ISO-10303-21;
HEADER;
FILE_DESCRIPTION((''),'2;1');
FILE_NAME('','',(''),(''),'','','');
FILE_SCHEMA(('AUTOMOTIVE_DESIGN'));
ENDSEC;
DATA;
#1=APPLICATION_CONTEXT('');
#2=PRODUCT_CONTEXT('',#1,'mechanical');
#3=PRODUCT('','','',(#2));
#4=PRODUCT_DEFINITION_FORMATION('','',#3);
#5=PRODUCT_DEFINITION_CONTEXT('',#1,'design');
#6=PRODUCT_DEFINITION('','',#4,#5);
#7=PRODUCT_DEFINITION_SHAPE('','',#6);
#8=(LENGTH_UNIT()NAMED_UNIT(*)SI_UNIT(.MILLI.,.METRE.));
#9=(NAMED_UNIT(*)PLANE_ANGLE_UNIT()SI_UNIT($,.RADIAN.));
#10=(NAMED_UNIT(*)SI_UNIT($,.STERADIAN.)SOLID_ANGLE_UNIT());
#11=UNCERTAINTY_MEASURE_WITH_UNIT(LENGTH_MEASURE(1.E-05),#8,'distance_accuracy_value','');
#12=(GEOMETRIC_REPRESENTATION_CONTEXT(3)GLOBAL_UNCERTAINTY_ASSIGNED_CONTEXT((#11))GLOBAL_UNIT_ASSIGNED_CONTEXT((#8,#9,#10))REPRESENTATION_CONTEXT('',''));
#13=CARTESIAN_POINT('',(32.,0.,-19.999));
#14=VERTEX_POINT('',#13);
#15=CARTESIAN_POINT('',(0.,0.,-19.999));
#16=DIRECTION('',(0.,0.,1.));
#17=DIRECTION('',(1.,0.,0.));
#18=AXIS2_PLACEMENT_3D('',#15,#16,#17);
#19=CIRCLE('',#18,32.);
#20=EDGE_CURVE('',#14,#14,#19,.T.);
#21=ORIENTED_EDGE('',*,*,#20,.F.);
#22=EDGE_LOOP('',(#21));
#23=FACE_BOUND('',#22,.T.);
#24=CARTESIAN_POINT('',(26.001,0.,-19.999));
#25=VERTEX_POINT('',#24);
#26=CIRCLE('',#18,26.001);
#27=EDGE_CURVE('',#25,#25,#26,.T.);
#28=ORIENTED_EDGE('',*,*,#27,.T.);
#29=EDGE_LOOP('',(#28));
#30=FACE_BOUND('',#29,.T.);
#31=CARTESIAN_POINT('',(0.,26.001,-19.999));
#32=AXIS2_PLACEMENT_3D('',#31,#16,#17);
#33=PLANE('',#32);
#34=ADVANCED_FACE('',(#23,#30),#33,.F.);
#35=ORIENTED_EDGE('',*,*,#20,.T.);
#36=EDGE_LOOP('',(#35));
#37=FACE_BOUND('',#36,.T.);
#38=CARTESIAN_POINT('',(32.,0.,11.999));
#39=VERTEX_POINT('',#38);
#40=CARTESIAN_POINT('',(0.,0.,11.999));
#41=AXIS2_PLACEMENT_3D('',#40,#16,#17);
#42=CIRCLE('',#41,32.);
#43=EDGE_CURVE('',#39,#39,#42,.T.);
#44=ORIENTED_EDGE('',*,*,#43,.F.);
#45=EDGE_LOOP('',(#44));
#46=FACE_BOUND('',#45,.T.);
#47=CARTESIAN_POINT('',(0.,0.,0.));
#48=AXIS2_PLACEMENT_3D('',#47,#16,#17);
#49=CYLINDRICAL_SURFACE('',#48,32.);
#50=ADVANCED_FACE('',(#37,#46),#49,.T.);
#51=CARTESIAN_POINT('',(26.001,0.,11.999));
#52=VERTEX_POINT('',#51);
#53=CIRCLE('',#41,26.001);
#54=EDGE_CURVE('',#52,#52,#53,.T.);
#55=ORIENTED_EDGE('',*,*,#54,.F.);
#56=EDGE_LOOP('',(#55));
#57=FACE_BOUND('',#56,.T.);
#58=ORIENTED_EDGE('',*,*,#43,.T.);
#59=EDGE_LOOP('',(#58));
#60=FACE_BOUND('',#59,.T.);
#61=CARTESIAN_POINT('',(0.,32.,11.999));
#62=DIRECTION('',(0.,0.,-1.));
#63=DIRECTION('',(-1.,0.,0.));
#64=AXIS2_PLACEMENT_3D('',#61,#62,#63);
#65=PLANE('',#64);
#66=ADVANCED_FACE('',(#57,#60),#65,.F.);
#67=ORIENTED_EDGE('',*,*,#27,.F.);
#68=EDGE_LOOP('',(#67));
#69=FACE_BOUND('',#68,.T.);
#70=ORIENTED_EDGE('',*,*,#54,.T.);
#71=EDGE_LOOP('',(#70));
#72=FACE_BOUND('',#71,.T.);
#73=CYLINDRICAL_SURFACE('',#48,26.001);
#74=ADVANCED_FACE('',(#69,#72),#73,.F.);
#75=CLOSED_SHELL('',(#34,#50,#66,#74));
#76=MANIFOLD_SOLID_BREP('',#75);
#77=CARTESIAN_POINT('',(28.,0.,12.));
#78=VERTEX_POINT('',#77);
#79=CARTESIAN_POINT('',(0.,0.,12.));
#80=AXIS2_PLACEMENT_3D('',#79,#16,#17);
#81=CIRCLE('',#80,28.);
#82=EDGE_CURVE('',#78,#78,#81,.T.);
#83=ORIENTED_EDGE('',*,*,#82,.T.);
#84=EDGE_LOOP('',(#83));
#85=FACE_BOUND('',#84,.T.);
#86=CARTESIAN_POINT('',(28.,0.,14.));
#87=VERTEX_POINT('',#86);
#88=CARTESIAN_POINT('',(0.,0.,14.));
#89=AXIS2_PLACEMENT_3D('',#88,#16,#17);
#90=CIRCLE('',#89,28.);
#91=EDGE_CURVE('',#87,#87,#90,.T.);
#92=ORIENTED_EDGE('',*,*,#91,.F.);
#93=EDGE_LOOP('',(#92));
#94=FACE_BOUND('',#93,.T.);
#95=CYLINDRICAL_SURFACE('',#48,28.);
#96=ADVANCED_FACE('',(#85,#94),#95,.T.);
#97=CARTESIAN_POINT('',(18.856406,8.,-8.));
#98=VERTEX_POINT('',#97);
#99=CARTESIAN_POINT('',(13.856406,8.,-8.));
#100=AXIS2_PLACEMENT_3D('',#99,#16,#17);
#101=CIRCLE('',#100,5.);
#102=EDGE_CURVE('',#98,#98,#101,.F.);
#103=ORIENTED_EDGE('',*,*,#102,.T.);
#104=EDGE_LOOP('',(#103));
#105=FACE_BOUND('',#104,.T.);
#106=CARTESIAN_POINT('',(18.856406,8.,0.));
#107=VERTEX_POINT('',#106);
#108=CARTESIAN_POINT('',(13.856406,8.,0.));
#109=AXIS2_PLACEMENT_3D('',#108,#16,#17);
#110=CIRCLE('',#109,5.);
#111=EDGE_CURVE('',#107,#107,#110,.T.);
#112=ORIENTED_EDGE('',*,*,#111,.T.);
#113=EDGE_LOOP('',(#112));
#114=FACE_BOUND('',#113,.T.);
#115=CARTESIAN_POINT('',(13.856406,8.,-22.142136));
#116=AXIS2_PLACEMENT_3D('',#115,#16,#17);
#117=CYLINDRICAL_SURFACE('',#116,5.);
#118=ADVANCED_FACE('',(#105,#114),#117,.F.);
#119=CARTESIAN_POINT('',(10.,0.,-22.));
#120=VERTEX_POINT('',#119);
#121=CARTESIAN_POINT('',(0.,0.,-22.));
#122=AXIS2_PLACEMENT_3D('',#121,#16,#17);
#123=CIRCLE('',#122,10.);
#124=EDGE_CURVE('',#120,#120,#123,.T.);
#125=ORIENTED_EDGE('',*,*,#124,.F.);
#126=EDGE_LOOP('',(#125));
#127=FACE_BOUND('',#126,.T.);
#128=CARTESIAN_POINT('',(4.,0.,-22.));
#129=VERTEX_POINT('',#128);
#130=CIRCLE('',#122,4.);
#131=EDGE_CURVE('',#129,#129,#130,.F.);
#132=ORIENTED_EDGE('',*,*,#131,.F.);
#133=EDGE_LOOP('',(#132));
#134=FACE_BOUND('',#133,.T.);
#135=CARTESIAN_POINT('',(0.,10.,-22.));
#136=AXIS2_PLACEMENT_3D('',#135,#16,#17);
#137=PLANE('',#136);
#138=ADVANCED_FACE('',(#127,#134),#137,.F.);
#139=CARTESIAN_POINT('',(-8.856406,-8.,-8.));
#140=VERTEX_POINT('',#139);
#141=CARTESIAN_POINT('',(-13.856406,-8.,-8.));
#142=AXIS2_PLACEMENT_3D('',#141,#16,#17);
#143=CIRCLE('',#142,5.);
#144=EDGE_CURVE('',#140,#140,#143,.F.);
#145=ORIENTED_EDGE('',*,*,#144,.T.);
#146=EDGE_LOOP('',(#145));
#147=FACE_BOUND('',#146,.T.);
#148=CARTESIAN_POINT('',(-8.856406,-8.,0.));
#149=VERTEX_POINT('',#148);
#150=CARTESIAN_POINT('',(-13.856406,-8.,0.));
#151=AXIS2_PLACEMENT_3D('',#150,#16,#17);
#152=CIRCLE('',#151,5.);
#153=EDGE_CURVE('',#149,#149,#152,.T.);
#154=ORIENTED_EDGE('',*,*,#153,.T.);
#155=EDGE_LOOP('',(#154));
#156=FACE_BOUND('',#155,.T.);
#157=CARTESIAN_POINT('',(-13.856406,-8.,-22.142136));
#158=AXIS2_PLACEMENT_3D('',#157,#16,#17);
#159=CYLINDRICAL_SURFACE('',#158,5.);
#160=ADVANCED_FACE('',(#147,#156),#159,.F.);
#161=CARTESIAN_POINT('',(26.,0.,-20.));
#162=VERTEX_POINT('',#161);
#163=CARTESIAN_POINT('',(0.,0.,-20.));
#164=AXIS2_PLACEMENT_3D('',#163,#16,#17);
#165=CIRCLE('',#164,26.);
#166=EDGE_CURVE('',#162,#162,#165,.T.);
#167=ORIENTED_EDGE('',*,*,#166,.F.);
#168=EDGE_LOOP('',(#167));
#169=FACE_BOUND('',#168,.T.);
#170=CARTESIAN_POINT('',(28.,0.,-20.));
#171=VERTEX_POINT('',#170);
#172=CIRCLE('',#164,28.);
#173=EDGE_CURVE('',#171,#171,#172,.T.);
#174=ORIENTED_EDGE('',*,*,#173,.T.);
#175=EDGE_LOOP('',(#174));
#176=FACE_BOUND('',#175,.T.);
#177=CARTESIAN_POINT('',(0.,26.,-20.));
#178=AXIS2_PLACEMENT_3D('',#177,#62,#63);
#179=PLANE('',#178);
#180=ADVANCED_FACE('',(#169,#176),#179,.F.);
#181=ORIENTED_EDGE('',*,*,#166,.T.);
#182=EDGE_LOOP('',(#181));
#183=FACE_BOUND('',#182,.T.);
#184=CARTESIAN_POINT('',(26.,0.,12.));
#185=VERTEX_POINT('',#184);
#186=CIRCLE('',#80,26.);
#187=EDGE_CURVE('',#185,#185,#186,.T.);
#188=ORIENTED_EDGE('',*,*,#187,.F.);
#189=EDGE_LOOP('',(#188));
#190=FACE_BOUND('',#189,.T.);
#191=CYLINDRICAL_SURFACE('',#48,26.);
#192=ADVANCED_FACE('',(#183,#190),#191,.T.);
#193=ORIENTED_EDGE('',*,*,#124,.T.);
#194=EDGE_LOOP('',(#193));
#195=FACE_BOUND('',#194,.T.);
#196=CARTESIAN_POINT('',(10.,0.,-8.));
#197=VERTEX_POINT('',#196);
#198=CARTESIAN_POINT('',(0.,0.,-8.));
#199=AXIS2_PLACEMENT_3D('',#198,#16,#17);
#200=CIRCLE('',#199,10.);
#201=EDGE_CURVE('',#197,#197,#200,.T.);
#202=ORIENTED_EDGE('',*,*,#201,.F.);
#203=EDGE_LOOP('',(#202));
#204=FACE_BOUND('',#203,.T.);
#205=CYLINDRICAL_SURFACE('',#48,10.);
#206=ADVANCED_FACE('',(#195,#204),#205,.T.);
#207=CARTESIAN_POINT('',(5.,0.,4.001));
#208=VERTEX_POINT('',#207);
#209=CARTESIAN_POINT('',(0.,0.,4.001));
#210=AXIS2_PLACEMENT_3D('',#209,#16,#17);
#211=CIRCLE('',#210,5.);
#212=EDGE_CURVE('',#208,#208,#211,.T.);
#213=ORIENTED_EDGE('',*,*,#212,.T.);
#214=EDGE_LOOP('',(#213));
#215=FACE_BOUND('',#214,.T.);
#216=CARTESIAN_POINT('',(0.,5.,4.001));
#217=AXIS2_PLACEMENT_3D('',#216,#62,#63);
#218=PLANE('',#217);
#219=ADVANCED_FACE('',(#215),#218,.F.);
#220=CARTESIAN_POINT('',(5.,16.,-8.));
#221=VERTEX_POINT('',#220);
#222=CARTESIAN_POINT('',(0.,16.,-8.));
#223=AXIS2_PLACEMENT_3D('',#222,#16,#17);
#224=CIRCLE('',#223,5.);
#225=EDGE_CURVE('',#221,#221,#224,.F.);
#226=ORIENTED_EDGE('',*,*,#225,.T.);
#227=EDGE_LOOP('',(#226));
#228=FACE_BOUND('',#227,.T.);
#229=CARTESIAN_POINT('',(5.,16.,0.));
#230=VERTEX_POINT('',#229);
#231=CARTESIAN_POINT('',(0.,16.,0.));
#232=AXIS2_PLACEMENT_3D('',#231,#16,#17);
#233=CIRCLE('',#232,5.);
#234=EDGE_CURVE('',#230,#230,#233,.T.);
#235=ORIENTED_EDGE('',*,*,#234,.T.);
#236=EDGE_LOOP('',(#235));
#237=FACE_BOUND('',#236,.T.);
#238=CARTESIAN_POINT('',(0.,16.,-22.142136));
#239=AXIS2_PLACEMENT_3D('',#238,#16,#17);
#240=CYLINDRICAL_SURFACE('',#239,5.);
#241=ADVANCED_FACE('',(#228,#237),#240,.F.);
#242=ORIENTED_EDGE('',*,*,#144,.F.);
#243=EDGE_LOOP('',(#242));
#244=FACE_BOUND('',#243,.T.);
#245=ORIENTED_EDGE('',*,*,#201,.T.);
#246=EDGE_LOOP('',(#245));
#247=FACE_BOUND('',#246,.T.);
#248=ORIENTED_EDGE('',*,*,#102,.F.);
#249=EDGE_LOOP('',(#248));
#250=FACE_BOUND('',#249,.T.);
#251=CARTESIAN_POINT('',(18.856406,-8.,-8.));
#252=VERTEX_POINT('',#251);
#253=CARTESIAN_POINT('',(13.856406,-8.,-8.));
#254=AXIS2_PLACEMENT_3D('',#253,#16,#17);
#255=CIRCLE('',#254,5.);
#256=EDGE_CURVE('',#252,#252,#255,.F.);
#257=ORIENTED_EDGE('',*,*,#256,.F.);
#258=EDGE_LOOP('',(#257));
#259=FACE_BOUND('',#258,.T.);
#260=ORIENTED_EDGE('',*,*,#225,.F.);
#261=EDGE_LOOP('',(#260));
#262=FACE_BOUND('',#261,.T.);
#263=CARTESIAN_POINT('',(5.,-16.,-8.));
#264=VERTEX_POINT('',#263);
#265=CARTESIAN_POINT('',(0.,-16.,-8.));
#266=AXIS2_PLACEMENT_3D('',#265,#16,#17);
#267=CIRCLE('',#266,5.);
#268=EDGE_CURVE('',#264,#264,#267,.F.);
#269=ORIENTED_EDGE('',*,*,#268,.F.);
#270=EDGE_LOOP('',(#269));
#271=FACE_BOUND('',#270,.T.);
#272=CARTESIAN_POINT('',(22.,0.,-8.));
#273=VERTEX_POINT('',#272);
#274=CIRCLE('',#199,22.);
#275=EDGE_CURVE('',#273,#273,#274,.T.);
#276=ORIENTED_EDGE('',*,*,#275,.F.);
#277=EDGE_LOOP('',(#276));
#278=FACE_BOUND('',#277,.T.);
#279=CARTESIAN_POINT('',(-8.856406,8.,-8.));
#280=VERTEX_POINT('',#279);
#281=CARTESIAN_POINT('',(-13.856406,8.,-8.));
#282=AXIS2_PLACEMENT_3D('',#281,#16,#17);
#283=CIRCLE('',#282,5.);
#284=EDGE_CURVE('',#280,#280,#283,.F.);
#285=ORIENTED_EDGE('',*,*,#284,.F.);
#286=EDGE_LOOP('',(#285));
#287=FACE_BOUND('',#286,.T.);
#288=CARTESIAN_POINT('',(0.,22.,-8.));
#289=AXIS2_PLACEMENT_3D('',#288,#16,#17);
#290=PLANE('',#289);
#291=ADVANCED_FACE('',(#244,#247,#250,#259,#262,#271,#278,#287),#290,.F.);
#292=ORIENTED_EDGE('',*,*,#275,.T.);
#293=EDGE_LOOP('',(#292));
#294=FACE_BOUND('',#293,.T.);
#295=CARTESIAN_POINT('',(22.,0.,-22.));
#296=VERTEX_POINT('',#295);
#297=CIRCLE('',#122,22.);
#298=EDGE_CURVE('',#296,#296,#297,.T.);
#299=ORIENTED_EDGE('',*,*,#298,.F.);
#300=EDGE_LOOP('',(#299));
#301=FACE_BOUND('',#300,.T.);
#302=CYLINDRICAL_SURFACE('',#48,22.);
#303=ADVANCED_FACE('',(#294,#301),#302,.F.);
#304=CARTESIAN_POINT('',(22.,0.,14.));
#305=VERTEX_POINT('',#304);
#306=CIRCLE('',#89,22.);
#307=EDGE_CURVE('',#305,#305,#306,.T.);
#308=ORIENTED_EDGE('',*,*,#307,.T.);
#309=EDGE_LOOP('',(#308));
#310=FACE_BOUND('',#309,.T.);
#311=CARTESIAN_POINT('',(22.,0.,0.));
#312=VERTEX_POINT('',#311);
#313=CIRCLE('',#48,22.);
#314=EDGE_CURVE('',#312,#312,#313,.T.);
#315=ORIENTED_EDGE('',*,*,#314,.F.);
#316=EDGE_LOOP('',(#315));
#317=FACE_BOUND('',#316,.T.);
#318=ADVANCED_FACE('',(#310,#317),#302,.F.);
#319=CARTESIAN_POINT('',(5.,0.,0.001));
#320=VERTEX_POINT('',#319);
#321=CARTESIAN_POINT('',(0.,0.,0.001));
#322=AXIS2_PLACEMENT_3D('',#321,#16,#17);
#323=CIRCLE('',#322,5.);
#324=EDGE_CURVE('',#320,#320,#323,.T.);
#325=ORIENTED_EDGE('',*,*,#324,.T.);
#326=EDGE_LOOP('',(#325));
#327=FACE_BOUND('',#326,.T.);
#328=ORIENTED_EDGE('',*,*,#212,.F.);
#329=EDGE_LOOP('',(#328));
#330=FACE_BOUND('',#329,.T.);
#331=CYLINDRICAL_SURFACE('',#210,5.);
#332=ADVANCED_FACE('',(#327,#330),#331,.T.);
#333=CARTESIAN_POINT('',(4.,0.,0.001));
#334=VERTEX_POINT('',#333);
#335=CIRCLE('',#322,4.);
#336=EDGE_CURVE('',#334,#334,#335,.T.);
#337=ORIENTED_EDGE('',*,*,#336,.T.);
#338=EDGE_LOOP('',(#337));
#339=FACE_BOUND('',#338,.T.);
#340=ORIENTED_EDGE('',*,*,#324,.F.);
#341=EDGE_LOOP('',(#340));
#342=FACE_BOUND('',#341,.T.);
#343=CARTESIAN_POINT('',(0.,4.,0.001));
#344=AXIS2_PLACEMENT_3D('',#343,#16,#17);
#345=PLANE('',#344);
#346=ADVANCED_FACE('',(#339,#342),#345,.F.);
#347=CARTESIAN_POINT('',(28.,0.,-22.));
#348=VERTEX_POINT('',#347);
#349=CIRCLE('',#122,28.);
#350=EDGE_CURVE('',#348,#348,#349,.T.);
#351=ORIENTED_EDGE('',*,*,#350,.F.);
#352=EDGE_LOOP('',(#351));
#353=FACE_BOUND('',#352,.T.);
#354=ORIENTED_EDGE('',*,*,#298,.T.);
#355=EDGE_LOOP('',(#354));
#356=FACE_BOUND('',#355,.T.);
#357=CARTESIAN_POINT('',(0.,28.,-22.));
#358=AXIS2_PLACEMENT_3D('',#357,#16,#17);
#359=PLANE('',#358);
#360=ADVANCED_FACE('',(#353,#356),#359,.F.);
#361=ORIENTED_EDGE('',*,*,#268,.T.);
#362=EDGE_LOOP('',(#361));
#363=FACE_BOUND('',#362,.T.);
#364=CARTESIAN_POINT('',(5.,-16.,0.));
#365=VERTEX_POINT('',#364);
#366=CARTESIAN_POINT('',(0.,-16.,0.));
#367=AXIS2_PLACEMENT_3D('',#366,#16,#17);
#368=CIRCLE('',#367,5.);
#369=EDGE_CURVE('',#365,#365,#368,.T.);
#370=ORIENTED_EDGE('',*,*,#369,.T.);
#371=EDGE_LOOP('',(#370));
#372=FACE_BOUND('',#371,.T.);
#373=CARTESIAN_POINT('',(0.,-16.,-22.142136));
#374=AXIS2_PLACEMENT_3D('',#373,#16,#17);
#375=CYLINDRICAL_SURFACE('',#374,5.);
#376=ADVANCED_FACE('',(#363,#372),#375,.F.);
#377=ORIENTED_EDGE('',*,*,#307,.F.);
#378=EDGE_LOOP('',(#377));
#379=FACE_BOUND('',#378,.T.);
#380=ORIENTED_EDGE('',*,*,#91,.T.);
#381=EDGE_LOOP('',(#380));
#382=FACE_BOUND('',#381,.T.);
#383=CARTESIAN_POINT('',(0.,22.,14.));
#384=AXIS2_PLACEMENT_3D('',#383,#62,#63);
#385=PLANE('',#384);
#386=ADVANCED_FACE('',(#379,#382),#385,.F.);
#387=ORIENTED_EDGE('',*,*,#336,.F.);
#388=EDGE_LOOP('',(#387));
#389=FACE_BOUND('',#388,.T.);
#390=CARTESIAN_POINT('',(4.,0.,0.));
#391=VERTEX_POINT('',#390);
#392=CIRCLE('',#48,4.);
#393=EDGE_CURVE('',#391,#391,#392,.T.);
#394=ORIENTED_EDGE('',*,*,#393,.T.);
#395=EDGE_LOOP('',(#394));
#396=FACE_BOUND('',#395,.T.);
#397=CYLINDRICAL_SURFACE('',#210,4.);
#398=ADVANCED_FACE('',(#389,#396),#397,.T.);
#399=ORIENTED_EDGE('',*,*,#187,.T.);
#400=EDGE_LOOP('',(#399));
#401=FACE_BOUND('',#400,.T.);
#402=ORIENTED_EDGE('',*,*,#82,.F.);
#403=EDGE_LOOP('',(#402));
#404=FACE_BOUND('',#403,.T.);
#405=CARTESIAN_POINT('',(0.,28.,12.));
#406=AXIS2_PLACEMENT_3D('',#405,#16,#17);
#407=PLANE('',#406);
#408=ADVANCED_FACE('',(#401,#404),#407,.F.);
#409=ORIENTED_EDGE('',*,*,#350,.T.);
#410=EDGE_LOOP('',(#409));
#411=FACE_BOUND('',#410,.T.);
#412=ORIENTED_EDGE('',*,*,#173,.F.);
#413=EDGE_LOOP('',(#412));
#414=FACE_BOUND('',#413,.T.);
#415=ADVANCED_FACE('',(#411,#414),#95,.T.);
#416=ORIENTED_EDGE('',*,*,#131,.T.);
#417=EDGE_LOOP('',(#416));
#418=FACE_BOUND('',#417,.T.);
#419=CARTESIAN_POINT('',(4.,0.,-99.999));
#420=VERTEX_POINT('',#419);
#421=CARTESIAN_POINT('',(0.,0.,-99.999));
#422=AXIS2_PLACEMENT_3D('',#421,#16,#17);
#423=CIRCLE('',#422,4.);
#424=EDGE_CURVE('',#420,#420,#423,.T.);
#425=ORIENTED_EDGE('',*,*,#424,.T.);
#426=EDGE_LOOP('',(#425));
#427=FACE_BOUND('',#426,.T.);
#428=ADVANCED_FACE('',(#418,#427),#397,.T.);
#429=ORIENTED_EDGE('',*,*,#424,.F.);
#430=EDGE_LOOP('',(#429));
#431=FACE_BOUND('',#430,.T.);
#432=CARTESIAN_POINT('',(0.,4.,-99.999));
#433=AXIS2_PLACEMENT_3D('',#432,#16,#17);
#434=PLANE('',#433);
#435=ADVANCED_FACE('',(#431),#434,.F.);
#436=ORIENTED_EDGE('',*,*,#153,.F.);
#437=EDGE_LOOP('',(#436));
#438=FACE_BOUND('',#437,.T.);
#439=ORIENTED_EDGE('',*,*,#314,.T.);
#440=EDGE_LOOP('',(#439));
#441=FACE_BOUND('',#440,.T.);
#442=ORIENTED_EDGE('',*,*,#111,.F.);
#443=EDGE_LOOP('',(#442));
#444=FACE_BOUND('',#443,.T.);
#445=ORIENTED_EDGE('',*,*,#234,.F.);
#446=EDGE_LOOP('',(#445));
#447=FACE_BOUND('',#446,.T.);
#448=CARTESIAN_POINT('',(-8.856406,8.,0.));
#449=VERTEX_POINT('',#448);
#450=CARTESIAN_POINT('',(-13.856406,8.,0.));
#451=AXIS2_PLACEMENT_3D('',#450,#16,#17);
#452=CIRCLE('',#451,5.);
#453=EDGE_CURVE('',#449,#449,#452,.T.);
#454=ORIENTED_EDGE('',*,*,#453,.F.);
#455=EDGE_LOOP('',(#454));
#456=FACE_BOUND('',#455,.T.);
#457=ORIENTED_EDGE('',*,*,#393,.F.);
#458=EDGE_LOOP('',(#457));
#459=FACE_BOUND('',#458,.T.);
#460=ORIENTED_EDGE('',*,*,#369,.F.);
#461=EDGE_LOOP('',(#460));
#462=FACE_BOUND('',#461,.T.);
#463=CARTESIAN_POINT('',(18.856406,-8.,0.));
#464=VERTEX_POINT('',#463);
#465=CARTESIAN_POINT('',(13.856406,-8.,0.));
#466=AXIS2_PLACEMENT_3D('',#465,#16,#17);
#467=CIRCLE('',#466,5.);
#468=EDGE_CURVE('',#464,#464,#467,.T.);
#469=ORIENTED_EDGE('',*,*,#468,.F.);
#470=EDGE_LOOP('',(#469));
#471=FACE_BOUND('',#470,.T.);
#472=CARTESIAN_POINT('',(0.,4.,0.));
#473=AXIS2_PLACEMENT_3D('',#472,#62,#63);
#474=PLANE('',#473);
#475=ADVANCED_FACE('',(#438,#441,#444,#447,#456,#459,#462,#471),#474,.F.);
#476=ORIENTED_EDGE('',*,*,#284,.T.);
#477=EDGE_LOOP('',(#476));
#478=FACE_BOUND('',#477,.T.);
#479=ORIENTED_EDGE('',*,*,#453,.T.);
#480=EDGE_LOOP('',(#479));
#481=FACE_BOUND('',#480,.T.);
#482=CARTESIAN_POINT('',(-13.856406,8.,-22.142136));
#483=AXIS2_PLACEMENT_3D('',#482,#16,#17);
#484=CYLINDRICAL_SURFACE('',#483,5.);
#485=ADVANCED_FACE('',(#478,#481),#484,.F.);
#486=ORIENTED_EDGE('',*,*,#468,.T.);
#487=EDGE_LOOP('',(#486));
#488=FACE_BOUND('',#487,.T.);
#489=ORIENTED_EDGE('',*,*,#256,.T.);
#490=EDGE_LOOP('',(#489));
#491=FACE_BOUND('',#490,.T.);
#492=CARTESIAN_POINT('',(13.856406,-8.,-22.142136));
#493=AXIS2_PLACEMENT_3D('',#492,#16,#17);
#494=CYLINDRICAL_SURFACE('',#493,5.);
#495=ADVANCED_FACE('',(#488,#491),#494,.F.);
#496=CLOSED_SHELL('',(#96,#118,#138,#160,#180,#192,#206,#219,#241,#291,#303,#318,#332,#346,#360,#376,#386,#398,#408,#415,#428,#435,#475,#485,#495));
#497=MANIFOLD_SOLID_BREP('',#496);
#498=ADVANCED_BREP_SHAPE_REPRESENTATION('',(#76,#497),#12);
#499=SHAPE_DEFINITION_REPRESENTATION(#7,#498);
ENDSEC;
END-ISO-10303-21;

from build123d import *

# Parameters (mm, degrees)
SKETCH3_W          = 31.998
SKETCH3_H          = 5.999
SKETCH2_R          = 5
CUT_EXTRUDE1_DEPTH = 8


with BuildPart() as part:
    # Sketch1 → Revolve1 (revolve)
    with BuildSketch(Plane(origin=(0, 0, 0), x_dir=(0, 0, -1), z_dir=(1, 0, 0)), mode=Mode.PRIVATE) as revolve1_sk:
        Polygon((0, 4), (0, 22), (-14, 22), (-14, 28), (-12, 28), (-12, 26), (20, 26), (20, 28), (22, 28), (22, 22), (20, 22), (8, 22), (8, 10), (20, 10), (22, 10), (22, 4), (20, 4), align=None)
    revolve(revolve1_sk.sketch.rotate(Axis((0, 0, 0), (0, 0, -1)), 90), axis=Axis((0, 0, 0), (0, 0, -1)))

    # Sketch2 → Cut-Extrude1 (cut)
    with BuildSketch(Plane.XY):
        with Locations((0, 16)):
            Circle(SKETCH2_R)
        with Locations((13.856406461, 8)):
            Circle(SKETCH2_R)
        with Locations((13.856406461, -8)):
            Circle(SKETCH2_R)
        with Locations((0, -16)):
            Circle(SKETCH2_R)
        with Locations((-13.856406461, -8)):
            Circle(SKETCH2_R)
        with Locations((-13.856406461, 8)):
            Circle(SKETCH2_R)
    extrude(amount=-CUT_EXTRUDE1_DEPTH, mode=Mode.SUBTRACT)

    # Sketch4 → Revolve3 (revolve)
    with BuildSketch(Plane(origin=(0, 0, 0), x_dir=(0, 0, -1), z_dir=(1, 0, 0)), mode=Mode.PRIVATE) as revolve3_sk:
        Polygon((-0.001, 4), (-0.001, 5), (-4.001, 5), (-4.001, 0), (99.999, 0), (99.999, 4), align=None)
    revolve(revolve3_sk.sketch.rotate(Axis((0, 0, 4.001), (0, 0, -1)), 90), axis=Axis((0, 0, 4.001), (0, 0, -1)))


with BuildPart() as body_2:
    # Sketch3 → Revolve2 (revolve)
    with BuildSketch(Plane(origin=(0, 0, 0), x_dir=(0, 0, -1), z_dir=(1, 0, 0)), mode=Mode.PRIVATE) as revolve2_sk:
        with Locations((4, 29.0005)):
            Rectangle(SKETCH3_W, SKETCH3_H)
    revolve(revolve2_sk.sketch.rotate(Axis((0, 0, 0), (0, 0, -1)), 90), axis=Axis((0, 0, 0), (0, 0, -1)))


solid = Compound([part.part, body_2.part])
